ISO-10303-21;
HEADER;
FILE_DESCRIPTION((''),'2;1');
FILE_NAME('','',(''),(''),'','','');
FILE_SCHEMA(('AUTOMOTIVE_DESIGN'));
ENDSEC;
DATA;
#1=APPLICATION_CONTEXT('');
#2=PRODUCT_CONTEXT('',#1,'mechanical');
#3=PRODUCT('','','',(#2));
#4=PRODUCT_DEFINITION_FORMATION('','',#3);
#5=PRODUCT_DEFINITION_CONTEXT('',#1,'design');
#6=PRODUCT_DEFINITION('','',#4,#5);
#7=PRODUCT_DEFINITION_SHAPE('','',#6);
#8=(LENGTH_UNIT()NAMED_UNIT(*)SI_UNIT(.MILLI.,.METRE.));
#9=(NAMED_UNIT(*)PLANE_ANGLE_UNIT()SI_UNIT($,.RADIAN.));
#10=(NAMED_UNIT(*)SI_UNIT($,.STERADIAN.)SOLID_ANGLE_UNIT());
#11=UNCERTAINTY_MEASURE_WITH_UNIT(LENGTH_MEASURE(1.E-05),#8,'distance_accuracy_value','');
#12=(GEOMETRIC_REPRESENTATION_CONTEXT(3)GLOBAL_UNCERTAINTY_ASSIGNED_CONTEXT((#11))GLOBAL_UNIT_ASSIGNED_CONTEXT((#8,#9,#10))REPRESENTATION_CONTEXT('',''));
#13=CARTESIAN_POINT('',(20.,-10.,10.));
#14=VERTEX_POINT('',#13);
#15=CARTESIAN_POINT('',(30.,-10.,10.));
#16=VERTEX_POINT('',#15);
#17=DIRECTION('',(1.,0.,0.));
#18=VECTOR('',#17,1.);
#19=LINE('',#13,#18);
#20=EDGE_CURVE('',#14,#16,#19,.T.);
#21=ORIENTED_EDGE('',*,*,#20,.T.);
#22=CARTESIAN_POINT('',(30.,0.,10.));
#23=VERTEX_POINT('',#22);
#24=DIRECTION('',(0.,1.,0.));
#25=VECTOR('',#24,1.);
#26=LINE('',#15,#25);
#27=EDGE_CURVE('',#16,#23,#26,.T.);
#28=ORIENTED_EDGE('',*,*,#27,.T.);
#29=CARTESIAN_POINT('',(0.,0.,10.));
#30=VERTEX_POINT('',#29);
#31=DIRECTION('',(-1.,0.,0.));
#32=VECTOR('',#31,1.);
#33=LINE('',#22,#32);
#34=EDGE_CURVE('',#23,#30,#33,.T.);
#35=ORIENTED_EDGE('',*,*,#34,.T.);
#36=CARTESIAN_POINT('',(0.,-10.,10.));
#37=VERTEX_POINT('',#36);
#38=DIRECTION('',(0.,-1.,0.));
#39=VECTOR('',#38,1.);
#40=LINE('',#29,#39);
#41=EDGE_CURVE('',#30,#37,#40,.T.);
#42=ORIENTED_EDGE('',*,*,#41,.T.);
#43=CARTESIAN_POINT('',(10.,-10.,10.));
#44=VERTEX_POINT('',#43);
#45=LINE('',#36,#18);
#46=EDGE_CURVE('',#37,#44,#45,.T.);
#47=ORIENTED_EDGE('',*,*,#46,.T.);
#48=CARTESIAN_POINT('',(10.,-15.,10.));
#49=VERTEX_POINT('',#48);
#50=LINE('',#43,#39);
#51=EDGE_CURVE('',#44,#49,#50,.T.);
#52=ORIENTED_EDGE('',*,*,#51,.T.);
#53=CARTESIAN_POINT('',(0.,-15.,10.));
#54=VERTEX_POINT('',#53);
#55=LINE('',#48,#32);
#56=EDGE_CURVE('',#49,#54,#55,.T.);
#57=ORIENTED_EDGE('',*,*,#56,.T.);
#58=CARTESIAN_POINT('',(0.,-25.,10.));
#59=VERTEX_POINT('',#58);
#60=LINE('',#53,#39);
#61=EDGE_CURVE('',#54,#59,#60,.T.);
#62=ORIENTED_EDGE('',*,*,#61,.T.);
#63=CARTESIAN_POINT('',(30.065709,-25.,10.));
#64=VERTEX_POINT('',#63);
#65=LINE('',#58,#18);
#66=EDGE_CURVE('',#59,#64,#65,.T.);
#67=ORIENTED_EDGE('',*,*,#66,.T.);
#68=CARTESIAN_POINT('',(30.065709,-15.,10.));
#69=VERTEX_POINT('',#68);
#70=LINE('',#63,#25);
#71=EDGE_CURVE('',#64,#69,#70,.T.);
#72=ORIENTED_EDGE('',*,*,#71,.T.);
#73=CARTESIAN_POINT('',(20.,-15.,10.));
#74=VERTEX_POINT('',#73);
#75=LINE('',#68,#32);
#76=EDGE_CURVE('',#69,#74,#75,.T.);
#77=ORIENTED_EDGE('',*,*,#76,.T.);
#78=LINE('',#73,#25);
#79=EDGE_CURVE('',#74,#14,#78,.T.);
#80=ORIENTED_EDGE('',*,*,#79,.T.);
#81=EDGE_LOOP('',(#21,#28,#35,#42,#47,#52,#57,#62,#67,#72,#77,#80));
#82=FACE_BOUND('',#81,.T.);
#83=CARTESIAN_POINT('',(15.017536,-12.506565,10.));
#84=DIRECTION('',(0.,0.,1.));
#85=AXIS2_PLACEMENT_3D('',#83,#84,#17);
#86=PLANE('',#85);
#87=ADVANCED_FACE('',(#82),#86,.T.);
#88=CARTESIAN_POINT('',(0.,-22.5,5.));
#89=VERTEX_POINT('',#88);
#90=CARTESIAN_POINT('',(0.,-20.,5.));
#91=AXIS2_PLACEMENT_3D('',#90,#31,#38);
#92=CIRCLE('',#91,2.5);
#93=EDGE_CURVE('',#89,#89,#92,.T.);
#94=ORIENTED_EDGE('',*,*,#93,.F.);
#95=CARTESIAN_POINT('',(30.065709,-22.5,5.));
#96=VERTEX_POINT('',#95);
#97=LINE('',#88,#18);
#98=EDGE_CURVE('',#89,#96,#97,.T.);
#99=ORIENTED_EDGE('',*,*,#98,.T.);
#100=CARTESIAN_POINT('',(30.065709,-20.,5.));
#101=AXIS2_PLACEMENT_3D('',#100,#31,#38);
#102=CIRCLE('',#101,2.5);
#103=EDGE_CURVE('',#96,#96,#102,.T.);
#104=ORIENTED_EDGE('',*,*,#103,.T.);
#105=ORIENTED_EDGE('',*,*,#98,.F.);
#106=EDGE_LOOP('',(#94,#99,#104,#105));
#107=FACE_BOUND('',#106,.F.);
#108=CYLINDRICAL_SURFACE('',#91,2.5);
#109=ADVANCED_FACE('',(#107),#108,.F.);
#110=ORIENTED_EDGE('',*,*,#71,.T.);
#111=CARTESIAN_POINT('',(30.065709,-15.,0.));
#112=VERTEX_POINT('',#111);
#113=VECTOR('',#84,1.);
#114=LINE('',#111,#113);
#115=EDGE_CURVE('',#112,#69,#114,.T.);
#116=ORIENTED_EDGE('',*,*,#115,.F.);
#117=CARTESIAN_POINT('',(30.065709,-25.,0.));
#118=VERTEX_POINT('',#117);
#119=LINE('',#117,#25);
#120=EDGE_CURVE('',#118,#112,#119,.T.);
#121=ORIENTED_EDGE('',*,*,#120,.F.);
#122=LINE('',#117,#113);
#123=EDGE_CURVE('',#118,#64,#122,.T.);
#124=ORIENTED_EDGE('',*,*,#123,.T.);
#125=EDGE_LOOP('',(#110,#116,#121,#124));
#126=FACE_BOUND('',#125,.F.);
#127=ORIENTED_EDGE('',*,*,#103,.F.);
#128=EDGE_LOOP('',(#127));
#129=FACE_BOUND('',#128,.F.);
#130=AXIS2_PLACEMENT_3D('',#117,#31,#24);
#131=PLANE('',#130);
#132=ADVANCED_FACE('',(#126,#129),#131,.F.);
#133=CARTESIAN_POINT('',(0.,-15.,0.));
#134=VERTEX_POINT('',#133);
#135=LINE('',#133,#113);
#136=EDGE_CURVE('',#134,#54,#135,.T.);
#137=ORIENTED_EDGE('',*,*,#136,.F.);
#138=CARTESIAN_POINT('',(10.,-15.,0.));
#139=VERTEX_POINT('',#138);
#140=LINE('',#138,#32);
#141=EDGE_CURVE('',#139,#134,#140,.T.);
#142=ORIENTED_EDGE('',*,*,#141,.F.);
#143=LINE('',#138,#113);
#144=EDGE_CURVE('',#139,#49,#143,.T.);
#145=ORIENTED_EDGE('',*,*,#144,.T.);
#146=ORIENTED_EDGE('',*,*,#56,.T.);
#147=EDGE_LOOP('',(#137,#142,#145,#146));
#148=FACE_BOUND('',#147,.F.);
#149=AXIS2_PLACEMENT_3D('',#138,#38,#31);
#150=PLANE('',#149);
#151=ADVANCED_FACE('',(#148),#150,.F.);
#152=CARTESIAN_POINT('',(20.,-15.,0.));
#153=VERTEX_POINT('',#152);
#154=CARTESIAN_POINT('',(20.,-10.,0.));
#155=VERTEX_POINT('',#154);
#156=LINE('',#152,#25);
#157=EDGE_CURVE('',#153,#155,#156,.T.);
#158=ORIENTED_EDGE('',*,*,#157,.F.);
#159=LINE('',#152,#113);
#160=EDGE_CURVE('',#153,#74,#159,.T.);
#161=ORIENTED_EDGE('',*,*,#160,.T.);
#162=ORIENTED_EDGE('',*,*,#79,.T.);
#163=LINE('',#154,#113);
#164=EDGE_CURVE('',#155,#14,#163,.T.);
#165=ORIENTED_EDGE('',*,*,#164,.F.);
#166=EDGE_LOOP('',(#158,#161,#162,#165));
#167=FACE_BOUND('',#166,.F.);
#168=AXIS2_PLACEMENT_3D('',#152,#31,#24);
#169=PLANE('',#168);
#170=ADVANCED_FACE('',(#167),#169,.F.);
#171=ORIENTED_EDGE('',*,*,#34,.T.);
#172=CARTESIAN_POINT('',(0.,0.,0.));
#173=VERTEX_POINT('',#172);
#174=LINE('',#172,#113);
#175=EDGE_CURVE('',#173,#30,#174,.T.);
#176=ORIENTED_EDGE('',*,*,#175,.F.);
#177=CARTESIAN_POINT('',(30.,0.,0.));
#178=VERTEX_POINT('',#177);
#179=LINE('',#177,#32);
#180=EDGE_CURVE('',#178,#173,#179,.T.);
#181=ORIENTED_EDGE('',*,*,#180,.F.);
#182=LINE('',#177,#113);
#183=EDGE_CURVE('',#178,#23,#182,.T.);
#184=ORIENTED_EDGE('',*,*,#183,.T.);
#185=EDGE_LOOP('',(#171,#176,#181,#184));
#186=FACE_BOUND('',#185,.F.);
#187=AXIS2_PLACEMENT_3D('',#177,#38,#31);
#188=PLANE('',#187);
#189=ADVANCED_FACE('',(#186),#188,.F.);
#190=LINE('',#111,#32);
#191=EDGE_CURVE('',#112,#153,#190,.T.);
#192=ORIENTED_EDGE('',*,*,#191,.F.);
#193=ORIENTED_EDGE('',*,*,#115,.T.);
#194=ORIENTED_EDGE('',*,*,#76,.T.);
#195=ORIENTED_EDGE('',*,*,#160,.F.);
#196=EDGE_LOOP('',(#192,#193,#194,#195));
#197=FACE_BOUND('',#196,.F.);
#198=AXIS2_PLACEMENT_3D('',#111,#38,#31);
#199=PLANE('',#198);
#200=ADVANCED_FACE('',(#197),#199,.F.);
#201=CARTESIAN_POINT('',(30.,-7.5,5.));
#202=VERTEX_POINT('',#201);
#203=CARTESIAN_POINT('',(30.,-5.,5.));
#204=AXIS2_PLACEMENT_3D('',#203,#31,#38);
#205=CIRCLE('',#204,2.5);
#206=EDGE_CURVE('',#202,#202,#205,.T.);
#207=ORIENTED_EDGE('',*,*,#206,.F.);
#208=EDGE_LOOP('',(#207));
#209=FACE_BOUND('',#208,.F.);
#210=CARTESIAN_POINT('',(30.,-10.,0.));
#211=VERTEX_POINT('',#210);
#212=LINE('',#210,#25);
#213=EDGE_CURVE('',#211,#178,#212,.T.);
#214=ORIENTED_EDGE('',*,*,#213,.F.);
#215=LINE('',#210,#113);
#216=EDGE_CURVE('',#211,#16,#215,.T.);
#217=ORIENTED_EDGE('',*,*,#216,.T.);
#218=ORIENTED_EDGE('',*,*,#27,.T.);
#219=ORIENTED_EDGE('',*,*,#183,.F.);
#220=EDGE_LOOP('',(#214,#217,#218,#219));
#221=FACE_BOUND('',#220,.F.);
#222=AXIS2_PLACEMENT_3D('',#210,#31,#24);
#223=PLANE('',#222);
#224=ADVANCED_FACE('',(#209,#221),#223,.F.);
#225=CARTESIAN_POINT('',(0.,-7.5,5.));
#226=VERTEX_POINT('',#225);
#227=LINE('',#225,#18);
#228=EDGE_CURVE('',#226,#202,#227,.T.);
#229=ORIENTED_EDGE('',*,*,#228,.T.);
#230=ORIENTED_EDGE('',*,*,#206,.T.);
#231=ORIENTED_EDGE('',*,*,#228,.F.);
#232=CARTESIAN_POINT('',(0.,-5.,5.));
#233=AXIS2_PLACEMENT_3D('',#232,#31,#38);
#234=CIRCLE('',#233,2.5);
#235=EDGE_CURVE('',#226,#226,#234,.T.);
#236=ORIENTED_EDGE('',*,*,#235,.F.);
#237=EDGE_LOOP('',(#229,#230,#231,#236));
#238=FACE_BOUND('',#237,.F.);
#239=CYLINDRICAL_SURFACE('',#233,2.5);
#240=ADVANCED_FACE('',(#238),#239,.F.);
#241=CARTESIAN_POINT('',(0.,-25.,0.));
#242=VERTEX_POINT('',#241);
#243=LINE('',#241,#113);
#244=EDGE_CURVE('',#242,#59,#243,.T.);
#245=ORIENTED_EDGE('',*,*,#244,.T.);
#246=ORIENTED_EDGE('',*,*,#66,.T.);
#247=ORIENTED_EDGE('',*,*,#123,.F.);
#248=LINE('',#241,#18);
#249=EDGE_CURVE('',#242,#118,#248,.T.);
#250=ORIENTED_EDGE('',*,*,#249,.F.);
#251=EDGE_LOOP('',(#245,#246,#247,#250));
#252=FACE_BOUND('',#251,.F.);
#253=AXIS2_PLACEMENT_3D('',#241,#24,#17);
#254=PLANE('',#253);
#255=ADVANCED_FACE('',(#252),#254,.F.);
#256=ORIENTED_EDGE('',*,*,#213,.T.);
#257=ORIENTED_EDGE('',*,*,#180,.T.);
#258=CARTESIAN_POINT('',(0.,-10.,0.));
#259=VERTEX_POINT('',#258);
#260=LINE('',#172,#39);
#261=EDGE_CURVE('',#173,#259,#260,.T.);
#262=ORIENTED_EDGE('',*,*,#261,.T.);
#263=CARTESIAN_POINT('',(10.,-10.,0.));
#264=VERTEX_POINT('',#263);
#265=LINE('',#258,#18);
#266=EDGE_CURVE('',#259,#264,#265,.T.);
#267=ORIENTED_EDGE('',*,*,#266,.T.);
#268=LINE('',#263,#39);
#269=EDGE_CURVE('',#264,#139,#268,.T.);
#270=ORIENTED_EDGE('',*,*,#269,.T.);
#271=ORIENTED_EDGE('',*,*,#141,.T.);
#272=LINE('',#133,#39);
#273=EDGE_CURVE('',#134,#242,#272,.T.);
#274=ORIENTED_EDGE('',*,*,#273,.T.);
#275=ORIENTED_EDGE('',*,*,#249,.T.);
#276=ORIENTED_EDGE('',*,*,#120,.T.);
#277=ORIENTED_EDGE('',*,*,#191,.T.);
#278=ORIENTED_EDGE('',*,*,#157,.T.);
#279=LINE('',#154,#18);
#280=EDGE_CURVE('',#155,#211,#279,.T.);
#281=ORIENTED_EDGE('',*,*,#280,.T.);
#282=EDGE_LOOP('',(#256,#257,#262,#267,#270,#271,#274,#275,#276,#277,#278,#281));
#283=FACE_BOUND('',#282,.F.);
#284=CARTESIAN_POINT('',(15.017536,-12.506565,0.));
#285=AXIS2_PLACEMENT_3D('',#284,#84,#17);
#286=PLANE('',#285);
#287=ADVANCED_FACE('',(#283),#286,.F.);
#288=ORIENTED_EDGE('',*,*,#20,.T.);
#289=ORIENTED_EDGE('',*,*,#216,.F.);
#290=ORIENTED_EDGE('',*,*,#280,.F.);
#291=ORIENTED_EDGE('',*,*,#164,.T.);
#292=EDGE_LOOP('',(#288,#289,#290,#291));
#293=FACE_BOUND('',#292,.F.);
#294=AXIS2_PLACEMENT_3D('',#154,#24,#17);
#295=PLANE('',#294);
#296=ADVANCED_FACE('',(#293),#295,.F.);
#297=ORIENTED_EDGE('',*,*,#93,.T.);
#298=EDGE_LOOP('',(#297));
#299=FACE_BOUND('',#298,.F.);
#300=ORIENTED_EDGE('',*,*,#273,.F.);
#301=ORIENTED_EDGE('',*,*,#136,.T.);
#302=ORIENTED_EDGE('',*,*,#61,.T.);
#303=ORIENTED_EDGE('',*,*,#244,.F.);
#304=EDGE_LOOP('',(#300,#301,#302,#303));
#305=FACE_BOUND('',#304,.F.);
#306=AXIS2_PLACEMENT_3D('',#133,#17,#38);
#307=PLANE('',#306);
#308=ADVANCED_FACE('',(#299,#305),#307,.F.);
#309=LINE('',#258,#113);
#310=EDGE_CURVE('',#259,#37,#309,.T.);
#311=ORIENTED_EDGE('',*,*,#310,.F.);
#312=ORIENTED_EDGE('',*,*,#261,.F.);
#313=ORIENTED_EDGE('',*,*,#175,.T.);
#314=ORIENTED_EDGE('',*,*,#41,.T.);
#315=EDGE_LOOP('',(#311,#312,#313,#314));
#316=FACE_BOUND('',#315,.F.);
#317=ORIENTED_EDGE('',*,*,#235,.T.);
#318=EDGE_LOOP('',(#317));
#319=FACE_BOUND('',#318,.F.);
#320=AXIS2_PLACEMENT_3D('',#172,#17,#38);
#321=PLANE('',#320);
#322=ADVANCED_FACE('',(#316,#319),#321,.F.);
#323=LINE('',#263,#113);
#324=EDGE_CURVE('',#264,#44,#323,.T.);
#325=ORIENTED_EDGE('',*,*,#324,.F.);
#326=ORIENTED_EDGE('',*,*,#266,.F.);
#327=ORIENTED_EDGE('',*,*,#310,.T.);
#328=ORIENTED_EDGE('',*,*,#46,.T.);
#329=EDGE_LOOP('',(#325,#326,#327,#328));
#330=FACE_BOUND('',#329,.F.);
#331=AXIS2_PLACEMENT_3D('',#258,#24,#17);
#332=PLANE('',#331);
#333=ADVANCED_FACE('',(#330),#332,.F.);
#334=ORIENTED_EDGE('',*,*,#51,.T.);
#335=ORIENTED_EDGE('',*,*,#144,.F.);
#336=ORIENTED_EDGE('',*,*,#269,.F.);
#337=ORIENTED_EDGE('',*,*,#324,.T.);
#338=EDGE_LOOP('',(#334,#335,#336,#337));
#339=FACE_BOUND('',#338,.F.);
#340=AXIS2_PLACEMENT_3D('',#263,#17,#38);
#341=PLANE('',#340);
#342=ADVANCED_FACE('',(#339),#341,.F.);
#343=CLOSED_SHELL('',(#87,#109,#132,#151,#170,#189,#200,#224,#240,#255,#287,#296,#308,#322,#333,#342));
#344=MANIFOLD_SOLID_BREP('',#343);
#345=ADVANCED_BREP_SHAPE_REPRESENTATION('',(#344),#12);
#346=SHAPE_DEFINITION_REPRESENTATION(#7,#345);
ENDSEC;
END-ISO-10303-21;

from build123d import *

# Parameters (mm, degrees)
F1_DEPTH = 10
F3_R     = 2.5
F4_DEPTH = 45.9


with BuildPart() as f1:
    # F0 (on Top) → F1 (new body)
    with BuildSketch(Plane.XY):
        Polygon((30, 0), (0, 0), (0, -10), (10, -10), (10, -15), (0, -15), (0, -25), (30.0657091261, -25), (30.0657091261, -15), (20, -15), (20, -10), (30, -10), align=None)
    extrude(amount=F1_DEPTH)

    # F3 (on offset) → F4 (cut)
    with BuildSketch(Plane(origin=(0, 0, 0), x_dir=(0, -1, 0), z_dir=(-1, 0, 0))):
        with Locations((5, 5)):
            Circle(F3_R)
        with Locations((20, 5)):
            Circle(F3_R)
    extrude(amount=-F4_DEPTH, mode=Mode.SUBTRACT)


solid = f1.part
